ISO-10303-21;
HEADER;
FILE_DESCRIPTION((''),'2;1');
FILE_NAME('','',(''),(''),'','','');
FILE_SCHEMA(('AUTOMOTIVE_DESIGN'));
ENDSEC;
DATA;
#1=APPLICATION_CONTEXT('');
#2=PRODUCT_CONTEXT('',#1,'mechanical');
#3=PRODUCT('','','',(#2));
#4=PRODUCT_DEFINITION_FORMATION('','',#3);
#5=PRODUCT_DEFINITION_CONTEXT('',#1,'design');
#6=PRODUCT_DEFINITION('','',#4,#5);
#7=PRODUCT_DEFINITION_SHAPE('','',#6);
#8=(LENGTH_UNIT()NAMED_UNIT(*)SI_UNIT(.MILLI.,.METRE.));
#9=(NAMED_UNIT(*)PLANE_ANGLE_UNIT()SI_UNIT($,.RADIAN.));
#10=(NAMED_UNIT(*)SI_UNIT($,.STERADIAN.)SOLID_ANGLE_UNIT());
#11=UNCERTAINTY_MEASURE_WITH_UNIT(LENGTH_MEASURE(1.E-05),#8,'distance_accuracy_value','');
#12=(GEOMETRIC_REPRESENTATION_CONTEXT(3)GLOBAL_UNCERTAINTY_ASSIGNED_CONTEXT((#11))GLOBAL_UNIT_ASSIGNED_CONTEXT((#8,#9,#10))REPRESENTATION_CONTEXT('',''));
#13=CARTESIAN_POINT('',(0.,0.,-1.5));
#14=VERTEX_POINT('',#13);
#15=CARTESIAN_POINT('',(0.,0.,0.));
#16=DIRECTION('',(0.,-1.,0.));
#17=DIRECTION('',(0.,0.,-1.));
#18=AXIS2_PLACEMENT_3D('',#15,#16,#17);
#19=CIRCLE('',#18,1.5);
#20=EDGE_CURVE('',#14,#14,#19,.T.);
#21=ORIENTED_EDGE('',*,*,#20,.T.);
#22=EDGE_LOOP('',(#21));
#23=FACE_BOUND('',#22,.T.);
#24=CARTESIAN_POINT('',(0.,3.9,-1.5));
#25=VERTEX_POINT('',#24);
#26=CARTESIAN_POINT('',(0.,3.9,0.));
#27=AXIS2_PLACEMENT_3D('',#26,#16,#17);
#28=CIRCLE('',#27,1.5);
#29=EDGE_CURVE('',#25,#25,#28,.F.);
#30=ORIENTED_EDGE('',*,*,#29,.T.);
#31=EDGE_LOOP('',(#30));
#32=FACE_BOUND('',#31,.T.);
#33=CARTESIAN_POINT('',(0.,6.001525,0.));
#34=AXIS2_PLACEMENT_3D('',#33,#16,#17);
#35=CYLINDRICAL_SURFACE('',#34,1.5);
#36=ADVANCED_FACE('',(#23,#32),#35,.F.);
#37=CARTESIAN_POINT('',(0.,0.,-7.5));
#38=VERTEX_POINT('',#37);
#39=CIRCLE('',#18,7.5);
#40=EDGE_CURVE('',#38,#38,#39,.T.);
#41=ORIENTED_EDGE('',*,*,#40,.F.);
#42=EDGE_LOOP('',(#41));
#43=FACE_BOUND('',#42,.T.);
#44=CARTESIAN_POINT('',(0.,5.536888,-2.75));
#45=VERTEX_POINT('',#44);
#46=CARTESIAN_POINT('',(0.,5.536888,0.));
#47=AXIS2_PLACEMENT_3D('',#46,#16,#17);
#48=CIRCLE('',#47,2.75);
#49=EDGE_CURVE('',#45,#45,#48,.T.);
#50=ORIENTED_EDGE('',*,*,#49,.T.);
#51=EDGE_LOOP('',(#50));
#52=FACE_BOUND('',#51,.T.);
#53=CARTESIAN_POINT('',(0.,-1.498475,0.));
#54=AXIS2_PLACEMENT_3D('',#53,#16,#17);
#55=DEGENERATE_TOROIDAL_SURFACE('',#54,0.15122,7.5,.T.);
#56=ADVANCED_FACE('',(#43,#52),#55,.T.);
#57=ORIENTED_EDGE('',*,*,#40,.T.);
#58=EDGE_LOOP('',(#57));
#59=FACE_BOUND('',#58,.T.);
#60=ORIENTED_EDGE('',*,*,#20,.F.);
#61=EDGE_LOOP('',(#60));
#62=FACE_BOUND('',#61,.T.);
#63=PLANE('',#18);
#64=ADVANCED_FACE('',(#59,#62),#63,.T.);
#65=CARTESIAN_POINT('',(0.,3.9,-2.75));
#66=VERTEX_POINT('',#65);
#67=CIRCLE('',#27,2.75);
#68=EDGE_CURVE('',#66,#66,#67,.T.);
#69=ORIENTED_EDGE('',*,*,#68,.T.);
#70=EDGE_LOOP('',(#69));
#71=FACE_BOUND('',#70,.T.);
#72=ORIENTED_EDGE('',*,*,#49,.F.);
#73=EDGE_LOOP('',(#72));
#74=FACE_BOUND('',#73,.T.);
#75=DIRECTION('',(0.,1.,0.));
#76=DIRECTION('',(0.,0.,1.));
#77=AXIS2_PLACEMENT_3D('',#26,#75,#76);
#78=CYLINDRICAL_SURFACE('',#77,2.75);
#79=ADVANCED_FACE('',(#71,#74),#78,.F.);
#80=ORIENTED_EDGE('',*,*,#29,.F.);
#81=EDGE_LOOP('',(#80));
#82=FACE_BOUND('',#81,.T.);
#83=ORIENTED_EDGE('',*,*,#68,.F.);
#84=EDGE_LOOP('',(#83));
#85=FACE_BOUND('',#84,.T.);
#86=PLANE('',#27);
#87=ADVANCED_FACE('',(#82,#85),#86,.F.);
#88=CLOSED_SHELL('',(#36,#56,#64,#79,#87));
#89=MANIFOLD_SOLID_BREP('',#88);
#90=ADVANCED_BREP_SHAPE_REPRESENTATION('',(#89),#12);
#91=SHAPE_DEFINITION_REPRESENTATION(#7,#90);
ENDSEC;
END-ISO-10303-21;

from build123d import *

# Parameters (mm, degrees)
SKETCH2_R          = 1.5
CUT_EXTRUDE1_DEPTH = 13.186808537
SKETCH4_R          = 2.75
CUT_EXTRUDE2_DEPTH = 2.1


with BuildPart() as part:
    # Sketch1 → Revolve1 (revolve)
    with BuildSketch(Plane.XY):
        with BuildLine():
            Line((0, 0), (7.5, 0))
            ThreePointArc((7.5, 0), (4.836432575, 4.358040719), (0, 6))
            Line((0, 6), (0, 0))
        make_face()
    revolve(axis=Axis((0, 0, 0), (0, 1, 0)))

    # Sketch2 → Cut-Extrude1 (cut, through all)
    with BuildSketch(Plane.XZ):
        with Locations(Location((0, 0, 0), (0, 0, 270))):
            Circle(SKETCH2_R)
    extrude(amount=-CUT_EXTRUDE1_DEPTH, mode=Mode.SUBTRACT)

    # Sketch4 → Cut-Extrude2 (cut)
    with BuildSketch(Plane(origin=(0, 6, 0), x_dir=(-1, 0, 0), z_dir=(0, -1, 0))):
        with Locations(Location((0, 0, 0), (0, 0, 90))):
            Circle(SKETCH4_R)
    extrude(amount=CUT_EXTRUDE2_DEPTH, mode=Mode.SUBTRACT)


solid = part.part
